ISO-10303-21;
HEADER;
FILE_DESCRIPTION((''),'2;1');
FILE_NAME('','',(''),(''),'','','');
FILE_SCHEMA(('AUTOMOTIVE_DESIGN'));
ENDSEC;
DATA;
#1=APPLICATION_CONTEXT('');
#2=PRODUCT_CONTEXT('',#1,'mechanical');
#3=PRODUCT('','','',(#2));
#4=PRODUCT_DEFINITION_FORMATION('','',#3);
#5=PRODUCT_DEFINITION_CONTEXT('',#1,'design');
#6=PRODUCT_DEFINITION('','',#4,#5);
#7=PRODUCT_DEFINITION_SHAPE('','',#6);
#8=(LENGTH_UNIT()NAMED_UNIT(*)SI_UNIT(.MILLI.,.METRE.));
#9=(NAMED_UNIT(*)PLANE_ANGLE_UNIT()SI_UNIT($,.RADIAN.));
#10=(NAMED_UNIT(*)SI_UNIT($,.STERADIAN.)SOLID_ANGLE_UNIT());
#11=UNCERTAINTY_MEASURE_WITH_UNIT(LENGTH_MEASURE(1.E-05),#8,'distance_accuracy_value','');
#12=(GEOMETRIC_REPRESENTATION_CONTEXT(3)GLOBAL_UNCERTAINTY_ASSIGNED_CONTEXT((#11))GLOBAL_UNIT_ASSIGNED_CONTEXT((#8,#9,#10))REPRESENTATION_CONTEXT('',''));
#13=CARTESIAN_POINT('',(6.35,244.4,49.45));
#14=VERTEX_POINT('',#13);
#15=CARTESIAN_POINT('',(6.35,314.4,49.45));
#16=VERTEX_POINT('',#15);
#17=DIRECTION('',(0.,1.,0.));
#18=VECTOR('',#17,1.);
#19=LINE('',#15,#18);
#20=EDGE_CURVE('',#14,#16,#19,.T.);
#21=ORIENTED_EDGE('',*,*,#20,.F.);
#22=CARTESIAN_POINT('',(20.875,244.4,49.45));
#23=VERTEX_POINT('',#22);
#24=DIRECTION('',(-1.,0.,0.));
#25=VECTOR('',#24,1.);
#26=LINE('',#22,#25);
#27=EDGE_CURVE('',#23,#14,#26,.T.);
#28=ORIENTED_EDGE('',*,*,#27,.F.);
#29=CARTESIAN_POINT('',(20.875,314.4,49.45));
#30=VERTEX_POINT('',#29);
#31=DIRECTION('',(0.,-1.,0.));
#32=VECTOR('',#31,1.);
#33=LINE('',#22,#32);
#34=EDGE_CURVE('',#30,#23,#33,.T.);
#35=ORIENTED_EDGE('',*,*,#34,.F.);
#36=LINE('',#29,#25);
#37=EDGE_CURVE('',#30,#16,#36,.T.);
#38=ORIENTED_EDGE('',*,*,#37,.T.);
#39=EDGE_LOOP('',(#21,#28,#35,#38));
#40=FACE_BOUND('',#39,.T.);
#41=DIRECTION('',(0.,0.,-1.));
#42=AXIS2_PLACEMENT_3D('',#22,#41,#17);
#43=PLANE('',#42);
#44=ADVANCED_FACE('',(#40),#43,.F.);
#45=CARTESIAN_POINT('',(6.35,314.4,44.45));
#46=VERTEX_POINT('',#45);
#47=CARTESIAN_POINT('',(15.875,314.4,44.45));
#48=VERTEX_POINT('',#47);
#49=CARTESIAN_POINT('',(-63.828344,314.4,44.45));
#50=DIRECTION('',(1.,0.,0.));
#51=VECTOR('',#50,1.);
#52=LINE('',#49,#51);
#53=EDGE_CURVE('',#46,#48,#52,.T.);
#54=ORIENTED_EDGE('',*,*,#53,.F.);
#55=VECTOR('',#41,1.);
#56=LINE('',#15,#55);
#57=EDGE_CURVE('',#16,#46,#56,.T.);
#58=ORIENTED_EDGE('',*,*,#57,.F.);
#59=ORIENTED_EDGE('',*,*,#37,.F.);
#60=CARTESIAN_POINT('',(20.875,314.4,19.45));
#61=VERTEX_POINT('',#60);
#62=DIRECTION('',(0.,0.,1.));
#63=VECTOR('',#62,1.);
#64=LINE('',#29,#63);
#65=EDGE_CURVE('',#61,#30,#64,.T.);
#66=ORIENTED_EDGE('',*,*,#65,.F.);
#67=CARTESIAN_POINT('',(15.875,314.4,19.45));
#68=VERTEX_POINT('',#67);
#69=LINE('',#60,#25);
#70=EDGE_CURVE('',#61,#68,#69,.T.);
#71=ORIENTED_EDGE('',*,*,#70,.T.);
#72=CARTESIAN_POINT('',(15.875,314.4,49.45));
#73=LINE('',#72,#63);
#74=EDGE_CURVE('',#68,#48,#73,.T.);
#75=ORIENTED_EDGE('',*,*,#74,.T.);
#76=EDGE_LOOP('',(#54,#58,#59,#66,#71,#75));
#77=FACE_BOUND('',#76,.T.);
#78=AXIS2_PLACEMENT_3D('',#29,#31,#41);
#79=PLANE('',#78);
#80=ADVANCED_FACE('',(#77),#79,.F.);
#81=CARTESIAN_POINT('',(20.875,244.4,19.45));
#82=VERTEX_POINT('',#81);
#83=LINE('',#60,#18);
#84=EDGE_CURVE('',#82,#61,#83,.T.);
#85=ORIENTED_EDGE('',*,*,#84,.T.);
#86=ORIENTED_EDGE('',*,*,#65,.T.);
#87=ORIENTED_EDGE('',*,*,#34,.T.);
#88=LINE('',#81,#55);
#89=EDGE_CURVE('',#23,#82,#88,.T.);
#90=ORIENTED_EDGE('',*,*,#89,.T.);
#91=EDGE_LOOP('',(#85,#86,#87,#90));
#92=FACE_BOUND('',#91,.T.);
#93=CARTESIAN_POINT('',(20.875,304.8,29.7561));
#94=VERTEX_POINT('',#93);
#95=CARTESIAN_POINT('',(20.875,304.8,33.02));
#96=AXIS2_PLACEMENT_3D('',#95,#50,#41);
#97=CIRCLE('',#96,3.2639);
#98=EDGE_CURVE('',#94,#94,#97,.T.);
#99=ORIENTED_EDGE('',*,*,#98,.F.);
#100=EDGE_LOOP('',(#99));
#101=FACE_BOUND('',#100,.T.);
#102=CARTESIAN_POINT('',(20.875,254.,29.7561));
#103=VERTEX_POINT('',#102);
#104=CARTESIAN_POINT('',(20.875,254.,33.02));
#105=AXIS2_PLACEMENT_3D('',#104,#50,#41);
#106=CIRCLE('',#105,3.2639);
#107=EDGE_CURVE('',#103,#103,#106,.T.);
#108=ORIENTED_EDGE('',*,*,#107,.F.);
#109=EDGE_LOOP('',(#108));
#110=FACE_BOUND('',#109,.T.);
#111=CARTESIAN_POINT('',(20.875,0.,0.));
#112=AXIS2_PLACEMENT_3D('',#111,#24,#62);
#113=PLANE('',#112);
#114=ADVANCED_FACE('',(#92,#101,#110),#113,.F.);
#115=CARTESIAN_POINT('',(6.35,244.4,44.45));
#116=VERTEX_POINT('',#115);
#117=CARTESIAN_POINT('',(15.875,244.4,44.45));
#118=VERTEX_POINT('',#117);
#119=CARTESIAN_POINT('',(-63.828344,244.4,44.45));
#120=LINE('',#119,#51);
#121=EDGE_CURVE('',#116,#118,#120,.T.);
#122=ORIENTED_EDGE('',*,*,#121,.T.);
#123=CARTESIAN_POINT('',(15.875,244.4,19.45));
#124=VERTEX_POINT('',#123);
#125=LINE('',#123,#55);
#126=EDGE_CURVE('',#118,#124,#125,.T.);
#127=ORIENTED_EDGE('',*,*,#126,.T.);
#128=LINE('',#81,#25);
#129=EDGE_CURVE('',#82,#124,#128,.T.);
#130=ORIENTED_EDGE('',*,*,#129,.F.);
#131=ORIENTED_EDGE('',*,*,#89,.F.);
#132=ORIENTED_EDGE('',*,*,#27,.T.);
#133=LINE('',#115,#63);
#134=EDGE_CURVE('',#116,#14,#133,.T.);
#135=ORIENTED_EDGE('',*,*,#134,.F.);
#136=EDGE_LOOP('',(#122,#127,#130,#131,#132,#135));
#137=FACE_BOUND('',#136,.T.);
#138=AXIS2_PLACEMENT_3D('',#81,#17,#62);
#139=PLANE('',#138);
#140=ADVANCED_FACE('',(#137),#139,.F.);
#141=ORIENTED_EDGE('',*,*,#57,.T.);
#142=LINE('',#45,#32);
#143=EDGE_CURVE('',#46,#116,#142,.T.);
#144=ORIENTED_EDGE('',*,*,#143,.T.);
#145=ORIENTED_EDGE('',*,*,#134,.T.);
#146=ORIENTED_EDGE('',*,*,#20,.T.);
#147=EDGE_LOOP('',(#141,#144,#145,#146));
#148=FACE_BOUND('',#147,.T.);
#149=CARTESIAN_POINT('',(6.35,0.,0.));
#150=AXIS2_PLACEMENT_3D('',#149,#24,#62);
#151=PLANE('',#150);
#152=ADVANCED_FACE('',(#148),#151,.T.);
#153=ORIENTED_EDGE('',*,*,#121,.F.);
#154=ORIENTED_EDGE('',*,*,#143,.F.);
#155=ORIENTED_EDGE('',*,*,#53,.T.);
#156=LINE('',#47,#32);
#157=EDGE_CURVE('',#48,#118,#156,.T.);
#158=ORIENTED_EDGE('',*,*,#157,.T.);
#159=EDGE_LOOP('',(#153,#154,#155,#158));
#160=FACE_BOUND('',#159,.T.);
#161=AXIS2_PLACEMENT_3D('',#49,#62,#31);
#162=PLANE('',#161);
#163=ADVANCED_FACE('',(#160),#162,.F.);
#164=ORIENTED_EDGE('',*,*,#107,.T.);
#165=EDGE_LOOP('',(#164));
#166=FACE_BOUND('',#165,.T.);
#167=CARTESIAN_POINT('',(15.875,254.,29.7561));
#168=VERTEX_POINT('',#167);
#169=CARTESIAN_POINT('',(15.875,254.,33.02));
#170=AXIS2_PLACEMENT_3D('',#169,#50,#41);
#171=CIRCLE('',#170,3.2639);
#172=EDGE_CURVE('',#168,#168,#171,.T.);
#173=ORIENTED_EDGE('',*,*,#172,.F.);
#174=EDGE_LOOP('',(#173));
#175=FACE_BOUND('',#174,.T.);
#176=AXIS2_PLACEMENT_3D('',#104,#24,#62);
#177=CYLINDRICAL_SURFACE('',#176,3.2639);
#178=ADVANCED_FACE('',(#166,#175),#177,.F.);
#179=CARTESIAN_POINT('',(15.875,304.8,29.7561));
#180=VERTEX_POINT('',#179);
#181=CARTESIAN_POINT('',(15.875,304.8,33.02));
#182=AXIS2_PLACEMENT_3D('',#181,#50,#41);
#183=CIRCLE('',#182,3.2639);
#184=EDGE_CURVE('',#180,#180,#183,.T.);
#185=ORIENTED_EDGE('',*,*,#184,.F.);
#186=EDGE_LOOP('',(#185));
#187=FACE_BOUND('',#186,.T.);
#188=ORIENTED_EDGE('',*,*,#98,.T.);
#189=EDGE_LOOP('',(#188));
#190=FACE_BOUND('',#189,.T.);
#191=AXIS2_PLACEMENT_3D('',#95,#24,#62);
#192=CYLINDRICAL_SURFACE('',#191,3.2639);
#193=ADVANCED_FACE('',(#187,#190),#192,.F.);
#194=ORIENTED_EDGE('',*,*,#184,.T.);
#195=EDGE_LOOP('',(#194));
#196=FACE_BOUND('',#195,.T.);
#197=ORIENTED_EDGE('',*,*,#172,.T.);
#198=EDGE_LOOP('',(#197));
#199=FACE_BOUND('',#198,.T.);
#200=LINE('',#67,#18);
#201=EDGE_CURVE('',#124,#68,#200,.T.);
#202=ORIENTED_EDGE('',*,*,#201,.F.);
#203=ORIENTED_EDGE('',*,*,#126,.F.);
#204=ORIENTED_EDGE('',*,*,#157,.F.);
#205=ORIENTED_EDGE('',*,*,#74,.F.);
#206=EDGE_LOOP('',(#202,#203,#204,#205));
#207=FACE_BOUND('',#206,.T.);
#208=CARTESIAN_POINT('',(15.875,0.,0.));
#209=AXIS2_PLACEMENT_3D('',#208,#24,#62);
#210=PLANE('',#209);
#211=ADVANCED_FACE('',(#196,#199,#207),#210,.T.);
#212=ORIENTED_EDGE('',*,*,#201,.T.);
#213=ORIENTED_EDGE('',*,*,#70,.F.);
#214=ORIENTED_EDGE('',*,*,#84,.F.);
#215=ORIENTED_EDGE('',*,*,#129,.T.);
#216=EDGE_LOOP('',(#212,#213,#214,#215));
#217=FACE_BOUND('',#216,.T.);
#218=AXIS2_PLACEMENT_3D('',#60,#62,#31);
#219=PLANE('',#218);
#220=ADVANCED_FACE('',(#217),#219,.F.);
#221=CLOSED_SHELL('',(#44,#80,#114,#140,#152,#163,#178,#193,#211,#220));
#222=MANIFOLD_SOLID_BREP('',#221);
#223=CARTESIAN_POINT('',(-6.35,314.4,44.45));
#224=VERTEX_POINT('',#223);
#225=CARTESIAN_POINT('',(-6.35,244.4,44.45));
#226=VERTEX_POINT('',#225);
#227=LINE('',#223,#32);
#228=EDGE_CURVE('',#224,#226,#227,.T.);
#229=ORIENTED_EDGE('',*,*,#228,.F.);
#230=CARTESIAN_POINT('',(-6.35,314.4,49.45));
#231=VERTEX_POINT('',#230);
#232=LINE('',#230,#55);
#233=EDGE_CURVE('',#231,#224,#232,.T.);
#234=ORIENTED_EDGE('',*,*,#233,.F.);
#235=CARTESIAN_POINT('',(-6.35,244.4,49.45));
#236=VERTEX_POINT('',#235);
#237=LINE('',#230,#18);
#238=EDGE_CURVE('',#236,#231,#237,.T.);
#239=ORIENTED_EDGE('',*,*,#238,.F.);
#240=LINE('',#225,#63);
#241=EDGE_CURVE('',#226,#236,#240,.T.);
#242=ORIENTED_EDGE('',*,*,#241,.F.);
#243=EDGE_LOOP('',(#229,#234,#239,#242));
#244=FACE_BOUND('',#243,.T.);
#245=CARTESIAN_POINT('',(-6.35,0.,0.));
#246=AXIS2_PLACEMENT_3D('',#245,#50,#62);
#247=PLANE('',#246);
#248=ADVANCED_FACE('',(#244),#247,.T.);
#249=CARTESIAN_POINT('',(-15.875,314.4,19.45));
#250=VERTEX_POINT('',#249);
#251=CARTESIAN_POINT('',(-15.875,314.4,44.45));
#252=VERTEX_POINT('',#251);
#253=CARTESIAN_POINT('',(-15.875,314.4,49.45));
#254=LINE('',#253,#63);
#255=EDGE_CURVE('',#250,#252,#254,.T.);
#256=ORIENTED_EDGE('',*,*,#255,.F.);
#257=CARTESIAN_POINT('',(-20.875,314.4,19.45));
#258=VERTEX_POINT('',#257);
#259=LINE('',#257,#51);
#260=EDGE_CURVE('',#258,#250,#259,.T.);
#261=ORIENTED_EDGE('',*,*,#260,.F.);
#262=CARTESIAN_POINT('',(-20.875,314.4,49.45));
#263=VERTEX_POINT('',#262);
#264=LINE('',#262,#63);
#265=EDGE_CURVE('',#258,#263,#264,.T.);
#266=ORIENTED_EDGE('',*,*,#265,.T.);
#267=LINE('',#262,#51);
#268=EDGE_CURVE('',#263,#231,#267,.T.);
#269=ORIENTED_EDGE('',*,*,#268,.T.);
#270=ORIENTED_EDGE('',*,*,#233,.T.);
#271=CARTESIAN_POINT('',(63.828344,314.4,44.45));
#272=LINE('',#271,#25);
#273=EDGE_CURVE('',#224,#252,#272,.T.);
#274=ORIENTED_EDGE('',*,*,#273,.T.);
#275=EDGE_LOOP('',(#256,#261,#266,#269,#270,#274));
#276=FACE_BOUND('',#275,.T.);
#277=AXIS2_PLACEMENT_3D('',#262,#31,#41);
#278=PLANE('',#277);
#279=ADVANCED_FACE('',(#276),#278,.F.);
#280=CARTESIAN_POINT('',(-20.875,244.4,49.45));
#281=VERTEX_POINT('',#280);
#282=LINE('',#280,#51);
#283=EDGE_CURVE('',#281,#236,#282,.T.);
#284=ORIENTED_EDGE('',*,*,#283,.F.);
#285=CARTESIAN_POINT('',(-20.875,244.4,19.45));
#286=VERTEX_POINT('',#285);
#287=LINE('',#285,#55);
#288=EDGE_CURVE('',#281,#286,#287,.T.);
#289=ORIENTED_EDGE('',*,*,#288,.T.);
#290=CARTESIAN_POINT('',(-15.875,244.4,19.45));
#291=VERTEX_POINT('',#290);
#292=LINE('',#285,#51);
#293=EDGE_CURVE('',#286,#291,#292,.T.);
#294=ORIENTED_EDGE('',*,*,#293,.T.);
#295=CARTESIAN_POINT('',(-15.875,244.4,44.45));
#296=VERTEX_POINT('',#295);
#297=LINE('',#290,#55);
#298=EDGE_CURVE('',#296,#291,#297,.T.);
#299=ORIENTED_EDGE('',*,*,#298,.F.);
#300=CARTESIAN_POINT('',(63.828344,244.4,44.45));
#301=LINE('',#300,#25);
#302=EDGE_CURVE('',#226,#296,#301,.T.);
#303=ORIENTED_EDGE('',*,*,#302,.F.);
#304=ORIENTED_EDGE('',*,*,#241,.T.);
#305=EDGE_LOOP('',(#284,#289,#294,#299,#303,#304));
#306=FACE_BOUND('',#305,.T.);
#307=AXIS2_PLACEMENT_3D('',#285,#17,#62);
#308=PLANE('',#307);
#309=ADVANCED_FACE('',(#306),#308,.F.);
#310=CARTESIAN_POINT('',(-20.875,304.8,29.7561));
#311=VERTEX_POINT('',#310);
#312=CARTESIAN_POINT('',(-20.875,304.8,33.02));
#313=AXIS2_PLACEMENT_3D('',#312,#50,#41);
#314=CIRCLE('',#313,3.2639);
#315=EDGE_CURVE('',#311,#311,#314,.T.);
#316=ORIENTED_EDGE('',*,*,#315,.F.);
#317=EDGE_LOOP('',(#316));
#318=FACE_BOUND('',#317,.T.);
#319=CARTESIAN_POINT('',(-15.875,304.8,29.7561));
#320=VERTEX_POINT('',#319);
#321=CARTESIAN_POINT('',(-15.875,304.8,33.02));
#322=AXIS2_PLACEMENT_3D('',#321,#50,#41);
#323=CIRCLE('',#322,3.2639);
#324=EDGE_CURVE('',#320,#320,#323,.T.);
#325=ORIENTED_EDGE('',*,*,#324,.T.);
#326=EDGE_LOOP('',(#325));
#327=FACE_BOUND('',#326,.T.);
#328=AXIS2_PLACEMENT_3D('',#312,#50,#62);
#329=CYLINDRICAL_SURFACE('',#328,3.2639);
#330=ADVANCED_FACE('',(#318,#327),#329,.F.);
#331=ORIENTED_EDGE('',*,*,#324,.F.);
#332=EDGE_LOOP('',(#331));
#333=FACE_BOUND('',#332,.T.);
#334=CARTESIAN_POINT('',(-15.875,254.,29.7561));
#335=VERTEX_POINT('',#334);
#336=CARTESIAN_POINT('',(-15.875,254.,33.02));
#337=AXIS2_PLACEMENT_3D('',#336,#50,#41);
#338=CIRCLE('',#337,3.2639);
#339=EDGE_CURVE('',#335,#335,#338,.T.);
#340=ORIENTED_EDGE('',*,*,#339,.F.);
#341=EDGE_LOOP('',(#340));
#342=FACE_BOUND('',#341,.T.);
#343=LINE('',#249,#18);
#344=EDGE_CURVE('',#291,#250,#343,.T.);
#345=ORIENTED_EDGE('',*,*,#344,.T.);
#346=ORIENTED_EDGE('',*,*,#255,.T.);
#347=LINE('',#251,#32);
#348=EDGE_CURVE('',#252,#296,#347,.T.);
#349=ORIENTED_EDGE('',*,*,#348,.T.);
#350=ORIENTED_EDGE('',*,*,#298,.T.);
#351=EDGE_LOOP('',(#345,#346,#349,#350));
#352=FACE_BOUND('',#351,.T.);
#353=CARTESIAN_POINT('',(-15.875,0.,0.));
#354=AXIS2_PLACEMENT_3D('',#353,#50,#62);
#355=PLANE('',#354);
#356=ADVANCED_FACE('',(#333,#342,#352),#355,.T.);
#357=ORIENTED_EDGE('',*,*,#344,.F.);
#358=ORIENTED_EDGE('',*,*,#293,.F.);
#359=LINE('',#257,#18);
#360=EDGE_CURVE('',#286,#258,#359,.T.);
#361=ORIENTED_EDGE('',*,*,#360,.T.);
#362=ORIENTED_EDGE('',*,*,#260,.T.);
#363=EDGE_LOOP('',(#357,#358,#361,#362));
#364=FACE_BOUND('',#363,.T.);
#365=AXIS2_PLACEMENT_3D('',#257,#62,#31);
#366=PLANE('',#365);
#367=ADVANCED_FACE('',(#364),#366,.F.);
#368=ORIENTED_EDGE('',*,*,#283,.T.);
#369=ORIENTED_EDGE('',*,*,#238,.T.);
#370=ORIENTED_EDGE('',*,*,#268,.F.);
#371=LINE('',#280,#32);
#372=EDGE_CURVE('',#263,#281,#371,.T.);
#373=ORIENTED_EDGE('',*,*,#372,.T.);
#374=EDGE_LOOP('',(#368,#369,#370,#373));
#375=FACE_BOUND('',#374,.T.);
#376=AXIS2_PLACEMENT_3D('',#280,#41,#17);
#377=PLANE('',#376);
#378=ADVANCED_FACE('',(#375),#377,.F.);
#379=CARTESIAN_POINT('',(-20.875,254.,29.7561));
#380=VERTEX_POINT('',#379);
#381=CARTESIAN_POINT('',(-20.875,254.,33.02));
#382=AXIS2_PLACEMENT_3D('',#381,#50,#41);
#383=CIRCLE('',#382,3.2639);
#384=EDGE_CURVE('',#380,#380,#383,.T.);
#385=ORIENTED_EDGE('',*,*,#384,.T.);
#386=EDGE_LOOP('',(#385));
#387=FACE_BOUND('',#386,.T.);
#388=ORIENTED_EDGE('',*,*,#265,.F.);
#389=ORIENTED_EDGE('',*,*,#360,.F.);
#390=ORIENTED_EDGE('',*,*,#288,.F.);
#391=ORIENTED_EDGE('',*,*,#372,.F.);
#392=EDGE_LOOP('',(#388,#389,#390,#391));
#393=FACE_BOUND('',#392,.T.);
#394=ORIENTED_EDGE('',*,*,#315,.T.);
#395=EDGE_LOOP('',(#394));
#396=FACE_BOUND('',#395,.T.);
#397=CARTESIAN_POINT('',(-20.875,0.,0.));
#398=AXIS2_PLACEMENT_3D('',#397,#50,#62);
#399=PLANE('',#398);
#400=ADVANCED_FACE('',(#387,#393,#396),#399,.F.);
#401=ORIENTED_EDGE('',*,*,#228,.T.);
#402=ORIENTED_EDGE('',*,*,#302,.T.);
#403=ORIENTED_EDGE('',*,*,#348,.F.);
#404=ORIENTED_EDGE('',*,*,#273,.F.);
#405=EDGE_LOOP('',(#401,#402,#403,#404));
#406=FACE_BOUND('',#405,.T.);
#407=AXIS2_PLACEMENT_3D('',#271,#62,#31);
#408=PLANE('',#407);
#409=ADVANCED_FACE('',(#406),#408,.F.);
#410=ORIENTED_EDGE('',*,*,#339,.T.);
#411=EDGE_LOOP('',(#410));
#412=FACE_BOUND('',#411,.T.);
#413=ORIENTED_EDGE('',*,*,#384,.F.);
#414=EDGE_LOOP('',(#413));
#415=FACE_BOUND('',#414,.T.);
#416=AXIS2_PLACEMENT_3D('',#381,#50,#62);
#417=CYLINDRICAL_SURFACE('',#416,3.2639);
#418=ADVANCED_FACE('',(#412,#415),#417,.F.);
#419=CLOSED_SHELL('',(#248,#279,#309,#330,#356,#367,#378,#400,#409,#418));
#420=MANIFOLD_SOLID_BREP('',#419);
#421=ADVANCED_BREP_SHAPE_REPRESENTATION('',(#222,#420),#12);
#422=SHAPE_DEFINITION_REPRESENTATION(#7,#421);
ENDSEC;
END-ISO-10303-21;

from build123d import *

# Parameters (mm, degrees)
SKETCH1_W           = 30
SKETCH1_H           = 70
SKETCH1_R           = 3.2639
BOSS_EXTRUDE1_DEPTH = 5
SKETCH2_W           = 5
SKETCH2_H           = 70
BOSS_EXTRUDE2_DEPTH = 9.525


with BuildPart() as part:
    # Sketch1 → Boss-Extrude1 (new body)
    with BuildSketch(Plane(origin=(15.875, 0, 0), x_dir=(0, 0, -1), z_dir=(1, 0, 0))):
        with Locations((-34.45, 279.4)):
            Rectangle(SKETCH1_W, SKETCH1_H)
        with Locations((-33.02, 254)):
            Circle(SKETCH1_R, mode=Mode.SUBTRACT)
        with Locations((-33.02, 304.8)):
            Circle(SKETCH1_R, mode=Mode.SUBTRACT)
    extrude(amount=BOSS_EXTRUDE1_DEPTH)

    # Sketch2 → Boss-Extrude2 (add)
    with BuildSketch(Plane.ZY.offset(-15.875)):
        with Locations((46.95, 279.4)):
            Rectangle(SKETCH2_W, SKETCH2_H)
    extrude(amount=BOSS_EXTRUDE2_DEPTH)


with BuildPart() as body_2:
    # Mirror2: mirrored copy
    add(part.part.mirror(Plane(origin=(0, 0, 0), x_dir=(0, 0, 1), z_dir=(1, 0, 0))))


solid = Compound([part.part, body_2.part])
